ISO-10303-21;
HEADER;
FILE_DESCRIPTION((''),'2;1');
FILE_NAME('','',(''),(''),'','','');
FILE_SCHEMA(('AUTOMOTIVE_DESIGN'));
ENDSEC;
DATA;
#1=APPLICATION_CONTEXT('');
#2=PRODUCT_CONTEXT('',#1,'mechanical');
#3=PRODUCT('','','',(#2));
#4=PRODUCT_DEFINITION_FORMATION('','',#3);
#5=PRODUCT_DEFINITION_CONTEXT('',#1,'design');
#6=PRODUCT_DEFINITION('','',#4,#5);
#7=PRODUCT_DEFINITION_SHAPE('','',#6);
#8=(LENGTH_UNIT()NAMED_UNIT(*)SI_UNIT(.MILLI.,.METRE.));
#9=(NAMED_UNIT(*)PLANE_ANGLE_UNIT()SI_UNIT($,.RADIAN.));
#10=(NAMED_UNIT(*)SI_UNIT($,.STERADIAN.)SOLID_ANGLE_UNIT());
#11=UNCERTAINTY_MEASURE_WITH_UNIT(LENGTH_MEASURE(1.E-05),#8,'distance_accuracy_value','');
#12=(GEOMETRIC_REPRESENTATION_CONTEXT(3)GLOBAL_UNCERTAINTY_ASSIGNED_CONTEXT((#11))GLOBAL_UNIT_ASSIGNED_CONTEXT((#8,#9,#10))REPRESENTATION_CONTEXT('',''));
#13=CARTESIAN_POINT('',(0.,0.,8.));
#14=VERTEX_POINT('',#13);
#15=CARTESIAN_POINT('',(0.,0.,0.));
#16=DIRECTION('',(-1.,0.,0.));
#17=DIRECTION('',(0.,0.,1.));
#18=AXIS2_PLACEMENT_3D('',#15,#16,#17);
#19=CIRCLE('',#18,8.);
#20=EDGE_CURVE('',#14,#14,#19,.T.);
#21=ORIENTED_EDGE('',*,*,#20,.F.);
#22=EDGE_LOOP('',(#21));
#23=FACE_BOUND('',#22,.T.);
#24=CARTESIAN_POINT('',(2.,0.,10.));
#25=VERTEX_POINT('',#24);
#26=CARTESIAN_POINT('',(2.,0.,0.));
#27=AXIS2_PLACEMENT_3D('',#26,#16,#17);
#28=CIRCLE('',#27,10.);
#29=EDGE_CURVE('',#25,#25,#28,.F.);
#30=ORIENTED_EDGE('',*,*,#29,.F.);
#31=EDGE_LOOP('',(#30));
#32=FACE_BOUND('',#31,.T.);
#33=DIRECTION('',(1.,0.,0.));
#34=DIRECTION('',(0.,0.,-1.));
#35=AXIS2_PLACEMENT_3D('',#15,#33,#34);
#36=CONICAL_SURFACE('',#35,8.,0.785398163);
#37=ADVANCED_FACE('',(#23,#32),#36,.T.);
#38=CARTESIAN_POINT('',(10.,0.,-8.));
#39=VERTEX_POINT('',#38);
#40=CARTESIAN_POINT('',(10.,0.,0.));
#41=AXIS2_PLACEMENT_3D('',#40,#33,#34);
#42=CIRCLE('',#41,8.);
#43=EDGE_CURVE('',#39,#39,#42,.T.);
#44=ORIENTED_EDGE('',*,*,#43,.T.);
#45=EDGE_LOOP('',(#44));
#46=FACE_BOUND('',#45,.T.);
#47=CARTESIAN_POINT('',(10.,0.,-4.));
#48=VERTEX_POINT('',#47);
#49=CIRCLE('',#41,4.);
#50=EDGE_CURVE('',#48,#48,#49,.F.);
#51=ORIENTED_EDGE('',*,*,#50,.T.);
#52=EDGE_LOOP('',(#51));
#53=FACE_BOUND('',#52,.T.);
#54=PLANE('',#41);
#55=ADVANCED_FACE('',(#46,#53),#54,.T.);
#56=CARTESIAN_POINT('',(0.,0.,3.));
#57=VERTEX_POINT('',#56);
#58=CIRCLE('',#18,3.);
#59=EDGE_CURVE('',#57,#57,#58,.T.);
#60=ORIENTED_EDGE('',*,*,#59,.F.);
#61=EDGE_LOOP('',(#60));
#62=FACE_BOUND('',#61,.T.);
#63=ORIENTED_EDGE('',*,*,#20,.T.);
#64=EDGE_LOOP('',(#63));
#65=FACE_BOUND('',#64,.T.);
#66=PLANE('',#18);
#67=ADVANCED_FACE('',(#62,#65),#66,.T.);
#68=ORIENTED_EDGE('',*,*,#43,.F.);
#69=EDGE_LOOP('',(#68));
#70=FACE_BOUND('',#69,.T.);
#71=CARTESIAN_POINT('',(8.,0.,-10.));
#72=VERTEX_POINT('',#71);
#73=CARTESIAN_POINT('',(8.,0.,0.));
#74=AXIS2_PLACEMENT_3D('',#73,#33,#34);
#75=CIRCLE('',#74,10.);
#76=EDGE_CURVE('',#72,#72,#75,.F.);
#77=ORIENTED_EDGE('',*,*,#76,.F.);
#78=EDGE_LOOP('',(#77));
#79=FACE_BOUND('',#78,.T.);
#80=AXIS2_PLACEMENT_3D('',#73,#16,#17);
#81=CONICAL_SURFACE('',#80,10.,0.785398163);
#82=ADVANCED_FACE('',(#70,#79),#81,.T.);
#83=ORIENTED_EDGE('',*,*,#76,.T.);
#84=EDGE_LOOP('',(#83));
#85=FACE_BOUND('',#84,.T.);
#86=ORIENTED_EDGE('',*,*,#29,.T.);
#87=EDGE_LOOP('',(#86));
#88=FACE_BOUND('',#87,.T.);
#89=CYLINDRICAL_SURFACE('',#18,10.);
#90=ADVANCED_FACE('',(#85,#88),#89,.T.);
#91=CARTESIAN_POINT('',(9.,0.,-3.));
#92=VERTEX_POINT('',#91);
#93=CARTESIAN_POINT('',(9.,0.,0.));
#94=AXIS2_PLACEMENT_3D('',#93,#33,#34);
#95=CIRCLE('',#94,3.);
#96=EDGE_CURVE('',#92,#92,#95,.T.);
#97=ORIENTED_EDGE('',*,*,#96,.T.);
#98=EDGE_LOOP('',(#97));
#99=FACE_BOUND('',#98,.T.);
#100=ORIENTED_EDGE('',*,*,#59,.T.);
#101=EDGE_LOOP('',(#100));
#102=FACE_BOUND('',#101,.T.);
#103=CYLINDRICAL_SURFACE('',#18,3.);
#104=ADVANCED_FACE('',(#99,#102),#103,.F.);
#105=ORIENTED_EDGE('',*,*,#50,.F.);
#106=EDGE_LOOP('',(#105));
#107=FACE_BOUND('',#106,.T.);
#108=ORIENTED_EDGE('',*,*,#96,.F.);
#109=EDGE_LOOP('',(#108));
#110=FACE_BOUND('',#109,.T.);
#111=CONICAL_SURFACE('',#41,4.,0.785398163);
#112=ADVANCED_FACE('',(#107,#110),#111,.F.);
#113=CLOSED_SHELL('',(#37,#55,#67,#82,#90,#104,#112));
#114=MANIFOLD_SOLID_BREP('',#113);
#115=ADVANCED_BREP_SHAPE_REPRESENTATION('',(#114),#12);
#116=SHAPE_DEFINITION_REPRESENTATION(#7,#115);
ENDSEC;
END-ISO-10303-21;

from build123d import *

# Parameters (mm, degrees)
SKETCH1_W     = 10
SKETCH1_H     = 7
CHAMFER1_SIZE = 2
CHAMFER2_SIZE = 1


with BuildPart() as part:
    # Sketch1 → Revolve2 (revolve)
    with BuildSketch(Plane.XY):
        with Locations((5, 6.5)):
            Rectangle(SKETCH1_W, SKETCH1_H)
    revolve(axis=Axis((0, 0, 0), (1, 0, 0)))

    # Chamfer1
    chamfer1_edges = [part.edges().sort_by_distance(p)[0] for p in [
        (0, -10, 0),
        (10, -10, 0),
    ]]
    chamfer(chamfer1_edges, length=CHAMFER1_SIZE)

    # Chamfer2
    chamfer2_edges = [part.edges().sort_by_distance(p)[0] for p in [
        (10, -3, 0),
    ]]
    chamfer(chamfer2_edges, length=CHAMFER2_SIZE)


solid = part.part
